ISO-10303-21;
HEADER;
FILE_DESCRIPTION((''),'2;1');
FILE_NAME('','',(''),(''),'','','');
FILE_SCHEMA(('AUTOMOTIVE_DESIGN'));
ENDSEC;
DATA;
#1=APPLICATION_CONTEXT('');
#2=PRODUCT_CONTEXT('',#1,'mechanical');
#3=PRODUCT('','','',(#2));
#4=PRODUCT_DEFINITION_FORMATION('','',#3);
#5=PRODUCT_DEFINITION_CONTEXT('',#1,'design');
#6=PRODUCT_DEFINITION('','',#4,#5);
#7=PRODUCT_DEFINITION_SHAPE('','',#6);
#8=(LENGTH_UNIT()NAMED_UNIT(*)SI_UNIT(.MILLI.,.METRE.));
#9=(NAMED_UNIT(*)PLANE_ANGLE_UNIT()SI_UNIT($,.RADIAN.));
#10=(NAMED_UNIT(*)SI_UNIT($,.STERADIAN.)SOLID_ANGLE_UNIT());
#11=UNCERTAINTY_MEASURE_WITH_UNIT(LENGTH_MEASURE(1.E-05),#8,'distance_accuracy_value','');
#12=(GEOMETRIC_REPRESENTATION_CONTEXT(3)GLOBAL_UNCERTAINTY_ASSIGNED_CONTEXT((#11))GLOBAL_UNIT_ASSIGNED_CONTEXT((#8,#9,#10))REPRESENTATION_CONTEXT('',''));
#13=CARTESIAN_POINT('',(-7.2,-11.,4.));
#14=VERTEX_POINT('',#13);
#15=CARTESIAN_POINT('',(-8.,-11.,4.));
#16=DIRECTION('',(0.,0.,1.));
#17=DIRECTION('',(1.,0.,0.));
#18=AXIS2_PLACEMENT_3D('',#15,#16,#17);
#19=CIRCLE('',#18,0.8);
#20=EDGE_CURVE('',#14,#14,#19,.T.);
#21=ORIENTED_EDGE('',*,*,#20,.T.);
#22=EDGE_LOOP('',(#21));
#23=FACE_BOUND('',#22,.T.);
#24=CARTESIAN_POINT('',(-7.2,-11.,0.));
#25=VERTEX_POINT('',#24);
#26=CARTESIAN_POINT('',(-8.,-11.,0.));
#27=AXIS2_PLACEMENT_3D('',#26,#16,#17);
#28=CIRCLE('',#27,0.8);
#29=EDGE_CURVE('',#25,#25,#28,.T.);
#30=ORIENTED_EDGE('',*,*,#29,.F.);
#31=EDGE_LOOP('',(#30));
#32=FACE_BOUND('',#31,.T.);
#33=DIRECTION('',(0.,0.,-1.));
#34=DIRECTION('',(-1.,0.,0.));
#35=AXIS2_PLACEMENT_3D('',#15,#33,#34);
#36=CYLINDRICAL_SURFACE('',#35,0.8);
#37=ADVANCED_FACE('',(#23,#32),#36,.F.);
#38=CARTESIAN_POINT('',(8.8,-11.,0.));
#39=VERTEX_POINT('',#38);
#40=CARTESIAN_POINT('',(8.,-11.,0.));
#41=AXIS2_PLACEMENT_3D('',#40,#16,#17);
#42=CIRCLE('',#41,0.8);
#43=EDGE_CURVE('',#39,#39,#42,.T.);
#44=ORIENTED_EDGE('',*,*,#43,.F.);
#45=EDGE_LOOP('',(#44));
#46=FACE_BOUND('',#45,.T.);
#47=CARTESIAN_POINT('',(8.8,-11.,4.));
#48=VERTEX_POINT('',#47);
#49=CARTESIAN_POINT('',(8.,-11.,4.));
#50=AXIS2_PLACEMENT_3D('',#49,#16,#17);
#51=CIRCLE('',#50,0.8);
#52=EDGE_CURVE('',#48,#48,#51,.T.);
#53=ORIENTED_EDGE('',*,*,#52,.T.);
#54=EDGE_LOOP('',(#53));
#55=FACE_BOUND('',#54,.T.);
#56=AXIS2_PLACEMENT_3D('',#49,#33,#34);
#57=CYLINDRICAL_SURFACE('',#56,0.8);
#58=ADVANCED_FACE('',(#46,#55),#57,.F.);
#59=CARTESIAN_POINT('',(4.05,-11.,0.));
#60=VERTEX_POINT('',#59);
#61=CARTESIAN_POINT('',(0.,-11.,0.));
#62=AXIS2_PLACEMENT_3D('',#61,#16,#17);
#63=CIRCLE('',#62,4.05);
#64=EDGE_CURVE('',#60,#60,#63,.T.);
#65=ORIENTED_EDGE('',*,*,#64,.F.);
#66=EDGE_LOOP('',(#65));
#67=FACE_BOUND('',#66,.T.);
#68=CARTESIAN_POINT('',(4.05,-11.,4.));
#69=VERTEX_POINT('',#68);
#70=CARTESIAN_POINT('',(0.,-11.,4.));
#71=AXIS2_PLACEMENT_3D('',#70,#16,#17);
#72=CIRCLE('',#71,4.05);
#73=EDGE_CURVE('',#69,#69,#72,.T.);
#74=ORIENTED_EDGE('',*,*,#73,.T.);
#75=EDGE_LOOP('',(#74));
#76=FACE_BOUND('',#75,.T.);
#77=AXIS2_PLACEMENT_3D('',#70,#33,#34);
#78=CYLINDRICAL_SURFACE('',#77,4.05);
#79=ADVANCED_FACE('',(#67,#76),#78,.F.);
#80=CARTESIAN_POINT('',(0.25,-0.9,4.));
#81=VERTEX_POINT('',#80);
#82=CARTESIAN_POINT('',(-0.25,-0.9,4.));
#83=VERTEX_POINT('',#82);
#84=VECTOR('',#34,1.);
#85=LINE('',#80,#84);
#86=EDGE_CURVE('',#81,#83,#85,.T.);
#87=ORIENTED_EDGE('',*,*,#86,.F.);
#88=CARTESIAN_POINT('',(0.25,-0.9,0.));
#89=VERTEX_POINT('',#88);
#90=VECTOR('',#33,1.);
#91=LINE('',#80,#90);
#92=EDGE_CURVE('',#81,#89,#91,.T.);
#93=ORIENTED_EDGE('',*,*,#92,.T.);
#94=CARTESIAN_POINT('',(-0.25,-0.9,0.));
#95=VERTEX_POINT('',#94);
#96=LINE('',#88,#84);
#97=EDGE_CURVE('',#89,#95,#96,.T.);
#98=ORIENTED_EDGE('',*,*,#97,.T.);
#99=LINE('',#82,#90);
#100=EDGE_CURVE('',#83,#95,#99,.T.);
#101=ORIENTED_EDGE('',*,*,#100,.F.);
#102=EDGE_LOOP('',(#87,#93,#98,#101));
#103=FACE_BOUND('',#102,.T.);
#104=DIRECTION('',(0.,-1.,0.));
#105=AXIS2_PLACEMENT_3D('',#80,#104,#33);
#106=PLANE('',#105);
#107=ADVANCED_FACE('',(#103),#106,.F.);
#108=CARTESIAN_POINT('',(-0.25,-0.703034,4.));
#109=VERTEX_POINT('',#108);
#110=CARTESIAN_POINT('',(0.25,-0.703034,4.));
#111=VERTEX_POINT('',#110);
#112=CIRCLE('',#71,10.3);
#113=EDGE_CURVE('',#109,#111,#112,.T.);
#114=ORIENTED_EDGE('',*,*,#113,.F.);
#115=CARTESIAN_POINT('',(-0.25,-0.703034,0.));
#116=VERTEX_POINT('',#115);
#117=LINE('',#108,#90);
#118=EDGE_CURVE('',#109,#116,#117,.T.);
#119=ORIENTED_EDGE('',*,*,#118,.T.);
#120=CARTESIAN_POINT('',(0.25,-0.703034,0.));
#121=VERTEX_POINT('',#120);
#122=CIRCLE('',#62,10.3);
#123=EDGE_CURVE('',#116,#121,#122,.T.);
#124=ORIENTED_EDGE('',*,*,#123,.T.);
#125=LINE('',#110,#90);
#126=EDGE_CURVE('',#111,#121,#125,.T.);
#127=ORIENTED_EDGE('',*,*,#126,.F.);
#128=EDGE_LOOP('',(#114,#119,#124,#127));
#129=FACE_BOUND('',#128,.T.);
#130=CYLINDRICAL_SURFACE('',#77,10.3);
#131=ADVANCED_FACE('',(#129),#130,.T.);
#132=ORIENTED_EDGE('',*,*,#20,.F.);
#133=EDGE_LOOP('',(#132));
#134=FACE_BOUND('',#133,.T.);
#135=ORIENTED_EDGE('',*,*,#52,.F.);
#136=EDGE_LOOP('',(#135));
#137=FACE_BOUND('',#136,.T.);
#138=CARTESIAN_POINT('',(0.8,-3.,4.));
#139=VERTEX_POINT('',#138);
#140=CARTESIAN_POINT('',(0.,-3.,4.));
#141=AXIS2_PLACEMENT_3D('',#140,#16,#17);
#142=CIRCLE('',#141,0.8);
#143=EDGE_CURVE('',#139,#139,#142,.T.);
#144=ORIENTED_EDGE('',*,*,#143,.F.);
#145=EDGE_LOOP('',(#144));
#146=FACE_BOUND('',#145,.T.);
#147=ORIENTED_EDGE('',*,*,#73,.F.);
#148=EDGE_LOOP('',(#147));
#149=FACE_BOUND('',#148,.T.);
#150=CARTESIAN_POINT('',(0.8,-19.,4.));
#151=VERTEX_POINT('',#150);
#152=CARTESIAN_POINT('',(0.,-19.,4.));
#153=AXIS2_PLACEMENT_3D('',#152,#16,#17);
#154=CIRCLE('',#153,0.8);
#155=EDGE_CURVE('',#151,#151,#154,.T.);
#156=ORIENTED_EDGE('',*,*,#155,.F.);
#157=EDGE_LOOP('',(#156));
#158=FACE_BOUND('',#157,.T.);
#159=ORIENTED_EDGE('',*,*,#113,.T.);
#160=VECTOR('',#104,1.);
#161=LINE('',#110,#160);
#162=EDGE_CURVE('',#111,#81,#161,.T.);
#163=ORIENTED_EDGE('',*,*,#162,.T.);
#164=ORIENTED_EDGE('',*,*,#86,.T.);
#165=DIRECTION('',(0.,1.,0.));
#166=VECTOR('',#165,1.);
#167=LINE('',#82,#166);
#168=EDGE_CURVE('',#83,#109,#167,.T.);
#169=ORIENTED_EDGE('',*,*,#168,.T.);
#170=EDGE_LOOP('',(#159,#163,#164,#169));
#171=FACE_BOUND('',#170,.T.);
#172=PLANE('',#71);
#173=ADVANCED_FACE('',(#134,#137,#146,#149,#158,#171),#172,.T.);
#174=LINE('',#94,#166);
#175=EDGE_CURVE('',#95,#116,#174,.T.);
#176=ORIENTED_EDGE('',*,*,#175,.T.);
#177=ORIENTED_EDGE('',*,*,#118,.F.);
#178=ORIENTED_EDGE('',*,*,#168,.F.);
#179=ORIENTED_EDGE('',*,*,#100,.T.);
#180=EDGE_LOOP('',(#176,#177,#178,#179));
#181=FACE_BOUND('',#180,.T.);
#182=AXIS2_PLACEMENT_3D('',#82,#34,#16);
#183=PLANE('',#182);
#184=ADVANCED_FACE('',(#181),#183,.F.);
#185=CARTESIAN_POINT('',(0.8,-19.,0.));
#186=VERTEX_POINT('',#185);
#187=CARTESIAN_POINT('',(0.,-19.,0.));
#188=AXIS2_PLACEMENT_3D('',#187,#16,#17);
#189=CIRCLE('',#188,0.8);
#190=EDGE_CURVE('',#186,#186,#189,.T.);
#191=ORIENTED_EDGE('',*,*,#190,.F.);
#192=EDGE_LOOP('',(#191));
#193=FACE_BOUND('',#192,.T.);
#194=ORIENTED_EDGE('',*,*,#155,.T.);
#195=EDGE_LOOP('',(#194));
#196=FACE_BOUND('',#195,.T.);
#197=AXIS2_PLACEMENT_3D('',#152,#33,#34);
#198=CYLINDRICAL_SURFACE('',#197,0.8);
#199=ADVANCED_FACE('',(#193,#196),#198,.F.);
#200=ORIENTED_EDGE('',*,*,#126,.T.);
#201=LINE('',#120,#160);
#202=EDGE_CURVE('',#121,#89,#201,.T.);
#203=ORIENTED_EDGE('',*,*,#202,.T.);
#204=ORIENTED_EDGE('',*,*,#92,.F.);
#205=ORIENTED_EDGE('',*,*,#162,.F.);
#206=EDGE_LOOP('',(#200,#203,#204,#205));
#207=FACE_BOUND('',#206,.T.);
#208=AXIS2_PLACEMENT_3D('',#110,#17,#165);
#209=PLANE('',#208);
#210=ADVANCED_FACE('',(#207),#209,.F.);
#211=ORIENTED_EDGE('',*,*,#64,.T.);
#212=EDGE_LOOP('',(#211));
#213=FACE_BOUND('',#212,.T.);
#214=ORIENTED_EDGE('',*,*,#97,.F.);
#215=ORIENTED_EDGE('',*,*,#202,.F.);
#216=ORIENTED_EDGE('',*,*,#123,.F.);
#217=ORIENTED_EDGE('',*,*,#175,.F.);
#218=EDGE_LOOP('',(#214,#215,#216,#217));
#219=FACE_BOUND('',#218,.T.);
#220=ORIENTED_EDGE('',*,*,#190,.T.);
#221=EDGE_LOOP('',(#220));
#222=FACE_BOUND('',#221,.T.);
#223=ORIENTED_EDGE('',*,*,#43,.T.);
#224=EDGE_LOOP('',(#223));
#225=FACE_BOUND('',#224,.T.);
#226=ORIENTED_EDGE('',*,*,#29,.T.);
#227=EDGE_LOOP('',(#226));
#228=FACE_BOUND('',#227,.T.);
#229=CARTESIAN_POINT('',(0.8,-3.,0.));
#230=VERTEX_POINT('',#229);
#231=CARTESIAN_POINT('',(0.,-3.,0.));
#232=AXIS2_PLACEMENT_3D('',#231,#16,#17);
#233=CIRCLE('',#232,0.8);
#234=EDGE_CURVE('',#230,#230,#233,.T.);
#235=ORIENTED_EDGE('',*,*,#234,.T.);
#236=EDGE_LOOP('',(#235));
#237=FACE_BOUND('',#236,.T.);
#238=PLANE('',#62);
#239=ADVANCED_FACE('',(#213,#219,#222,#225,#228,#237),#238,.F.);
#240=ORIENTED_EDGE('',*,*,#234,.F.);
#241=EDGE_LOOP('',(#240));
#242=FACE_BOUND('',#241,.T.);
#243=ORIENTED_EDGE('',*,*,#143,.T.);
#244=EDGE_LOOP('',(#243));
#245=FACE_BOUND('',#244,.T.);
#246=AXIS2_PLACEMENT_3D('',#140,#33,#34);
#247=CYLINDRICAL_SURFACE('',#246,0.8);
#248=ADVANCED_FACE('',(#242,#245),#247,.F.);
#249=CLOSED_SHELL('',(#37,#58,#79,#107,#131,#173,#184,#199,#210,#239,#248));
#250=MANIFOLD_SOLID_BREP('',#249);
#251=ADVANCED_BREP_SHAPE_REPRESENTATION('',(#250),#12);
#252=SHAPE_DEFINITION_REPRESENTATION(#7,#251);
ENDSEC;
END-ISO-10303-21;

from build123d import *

# Parameters (mm, degrees)
BOSS_EXTRUDE1_DEPTH = 4


with BuildPart() as part:
    # Sketch2 → Boss-Extrude1 (new body)
    with BuildSketch(Plane.XY):
        with BuildLine():
            Line((-0.25, -0.9), (-0.25, -0.703034428))
            ThreePointArc((-0.25, -0.703034428), (-7.371058269, -3.805731448), (-10.3, -11))
            ThreePointArc((-10.3, -11), (0, -21.3), (10.3, -11))
            ThreePointArc((10.3, -11), (7.371058269, -3.805731448), (0.25, -0.703034428))
            Line((0.25, -0.703034428), (0.25, -0.9))
            Line((0.25, -0.9), (-0.25, -0.9))
        make_face()
        with BuildLine():
            ThreePointArc((-8.8, -11), (-8, -11.8), (-7.2, -11))
            ThreePointArc((-7.2, -11), (-8, -10.2), (-8.8, -11))
        make_face(mode=Mode.SUBTRACT)
        with BuildLine():
            ThreePointArc((0.8, -3), (0, -2.2), (-0.8, -3))
            ThreePointArc((-0.8, -3), (0, -3.8), (0.8, -3))
        make_face(mode=Mode.SUBTRACT)
        with BuildLine():
            ThreePointArc((0.8, -19), (0, -18.2), (-0.8, -19))
            ThreePointArc((-0.8, -19), (0, -19.8), (0.8, -19))
        make_face(mode=Mode.SUBTRACT)
        with BuildLine():
            ThreePointArc((8.8, -11), (8, -10.2), (7.2, -11))
            ThreePointArc((7.2, -11), (8, -11.8), (8.8, -11))
        make_face(mode=Mode.SUBTRACT)
        with BuildLine():
            ThreePointArc((4.05, -11), (0, -6.95), (-4.05, -11))
            ThreePointArc((-4.05, -11), (0, -15.05), (4.05, -11))
        make_face(mode=Mode.SUBTRACT)
    extrude(amount=BOSS_EXTRUDE1_DEPTH)


solid = part.part
